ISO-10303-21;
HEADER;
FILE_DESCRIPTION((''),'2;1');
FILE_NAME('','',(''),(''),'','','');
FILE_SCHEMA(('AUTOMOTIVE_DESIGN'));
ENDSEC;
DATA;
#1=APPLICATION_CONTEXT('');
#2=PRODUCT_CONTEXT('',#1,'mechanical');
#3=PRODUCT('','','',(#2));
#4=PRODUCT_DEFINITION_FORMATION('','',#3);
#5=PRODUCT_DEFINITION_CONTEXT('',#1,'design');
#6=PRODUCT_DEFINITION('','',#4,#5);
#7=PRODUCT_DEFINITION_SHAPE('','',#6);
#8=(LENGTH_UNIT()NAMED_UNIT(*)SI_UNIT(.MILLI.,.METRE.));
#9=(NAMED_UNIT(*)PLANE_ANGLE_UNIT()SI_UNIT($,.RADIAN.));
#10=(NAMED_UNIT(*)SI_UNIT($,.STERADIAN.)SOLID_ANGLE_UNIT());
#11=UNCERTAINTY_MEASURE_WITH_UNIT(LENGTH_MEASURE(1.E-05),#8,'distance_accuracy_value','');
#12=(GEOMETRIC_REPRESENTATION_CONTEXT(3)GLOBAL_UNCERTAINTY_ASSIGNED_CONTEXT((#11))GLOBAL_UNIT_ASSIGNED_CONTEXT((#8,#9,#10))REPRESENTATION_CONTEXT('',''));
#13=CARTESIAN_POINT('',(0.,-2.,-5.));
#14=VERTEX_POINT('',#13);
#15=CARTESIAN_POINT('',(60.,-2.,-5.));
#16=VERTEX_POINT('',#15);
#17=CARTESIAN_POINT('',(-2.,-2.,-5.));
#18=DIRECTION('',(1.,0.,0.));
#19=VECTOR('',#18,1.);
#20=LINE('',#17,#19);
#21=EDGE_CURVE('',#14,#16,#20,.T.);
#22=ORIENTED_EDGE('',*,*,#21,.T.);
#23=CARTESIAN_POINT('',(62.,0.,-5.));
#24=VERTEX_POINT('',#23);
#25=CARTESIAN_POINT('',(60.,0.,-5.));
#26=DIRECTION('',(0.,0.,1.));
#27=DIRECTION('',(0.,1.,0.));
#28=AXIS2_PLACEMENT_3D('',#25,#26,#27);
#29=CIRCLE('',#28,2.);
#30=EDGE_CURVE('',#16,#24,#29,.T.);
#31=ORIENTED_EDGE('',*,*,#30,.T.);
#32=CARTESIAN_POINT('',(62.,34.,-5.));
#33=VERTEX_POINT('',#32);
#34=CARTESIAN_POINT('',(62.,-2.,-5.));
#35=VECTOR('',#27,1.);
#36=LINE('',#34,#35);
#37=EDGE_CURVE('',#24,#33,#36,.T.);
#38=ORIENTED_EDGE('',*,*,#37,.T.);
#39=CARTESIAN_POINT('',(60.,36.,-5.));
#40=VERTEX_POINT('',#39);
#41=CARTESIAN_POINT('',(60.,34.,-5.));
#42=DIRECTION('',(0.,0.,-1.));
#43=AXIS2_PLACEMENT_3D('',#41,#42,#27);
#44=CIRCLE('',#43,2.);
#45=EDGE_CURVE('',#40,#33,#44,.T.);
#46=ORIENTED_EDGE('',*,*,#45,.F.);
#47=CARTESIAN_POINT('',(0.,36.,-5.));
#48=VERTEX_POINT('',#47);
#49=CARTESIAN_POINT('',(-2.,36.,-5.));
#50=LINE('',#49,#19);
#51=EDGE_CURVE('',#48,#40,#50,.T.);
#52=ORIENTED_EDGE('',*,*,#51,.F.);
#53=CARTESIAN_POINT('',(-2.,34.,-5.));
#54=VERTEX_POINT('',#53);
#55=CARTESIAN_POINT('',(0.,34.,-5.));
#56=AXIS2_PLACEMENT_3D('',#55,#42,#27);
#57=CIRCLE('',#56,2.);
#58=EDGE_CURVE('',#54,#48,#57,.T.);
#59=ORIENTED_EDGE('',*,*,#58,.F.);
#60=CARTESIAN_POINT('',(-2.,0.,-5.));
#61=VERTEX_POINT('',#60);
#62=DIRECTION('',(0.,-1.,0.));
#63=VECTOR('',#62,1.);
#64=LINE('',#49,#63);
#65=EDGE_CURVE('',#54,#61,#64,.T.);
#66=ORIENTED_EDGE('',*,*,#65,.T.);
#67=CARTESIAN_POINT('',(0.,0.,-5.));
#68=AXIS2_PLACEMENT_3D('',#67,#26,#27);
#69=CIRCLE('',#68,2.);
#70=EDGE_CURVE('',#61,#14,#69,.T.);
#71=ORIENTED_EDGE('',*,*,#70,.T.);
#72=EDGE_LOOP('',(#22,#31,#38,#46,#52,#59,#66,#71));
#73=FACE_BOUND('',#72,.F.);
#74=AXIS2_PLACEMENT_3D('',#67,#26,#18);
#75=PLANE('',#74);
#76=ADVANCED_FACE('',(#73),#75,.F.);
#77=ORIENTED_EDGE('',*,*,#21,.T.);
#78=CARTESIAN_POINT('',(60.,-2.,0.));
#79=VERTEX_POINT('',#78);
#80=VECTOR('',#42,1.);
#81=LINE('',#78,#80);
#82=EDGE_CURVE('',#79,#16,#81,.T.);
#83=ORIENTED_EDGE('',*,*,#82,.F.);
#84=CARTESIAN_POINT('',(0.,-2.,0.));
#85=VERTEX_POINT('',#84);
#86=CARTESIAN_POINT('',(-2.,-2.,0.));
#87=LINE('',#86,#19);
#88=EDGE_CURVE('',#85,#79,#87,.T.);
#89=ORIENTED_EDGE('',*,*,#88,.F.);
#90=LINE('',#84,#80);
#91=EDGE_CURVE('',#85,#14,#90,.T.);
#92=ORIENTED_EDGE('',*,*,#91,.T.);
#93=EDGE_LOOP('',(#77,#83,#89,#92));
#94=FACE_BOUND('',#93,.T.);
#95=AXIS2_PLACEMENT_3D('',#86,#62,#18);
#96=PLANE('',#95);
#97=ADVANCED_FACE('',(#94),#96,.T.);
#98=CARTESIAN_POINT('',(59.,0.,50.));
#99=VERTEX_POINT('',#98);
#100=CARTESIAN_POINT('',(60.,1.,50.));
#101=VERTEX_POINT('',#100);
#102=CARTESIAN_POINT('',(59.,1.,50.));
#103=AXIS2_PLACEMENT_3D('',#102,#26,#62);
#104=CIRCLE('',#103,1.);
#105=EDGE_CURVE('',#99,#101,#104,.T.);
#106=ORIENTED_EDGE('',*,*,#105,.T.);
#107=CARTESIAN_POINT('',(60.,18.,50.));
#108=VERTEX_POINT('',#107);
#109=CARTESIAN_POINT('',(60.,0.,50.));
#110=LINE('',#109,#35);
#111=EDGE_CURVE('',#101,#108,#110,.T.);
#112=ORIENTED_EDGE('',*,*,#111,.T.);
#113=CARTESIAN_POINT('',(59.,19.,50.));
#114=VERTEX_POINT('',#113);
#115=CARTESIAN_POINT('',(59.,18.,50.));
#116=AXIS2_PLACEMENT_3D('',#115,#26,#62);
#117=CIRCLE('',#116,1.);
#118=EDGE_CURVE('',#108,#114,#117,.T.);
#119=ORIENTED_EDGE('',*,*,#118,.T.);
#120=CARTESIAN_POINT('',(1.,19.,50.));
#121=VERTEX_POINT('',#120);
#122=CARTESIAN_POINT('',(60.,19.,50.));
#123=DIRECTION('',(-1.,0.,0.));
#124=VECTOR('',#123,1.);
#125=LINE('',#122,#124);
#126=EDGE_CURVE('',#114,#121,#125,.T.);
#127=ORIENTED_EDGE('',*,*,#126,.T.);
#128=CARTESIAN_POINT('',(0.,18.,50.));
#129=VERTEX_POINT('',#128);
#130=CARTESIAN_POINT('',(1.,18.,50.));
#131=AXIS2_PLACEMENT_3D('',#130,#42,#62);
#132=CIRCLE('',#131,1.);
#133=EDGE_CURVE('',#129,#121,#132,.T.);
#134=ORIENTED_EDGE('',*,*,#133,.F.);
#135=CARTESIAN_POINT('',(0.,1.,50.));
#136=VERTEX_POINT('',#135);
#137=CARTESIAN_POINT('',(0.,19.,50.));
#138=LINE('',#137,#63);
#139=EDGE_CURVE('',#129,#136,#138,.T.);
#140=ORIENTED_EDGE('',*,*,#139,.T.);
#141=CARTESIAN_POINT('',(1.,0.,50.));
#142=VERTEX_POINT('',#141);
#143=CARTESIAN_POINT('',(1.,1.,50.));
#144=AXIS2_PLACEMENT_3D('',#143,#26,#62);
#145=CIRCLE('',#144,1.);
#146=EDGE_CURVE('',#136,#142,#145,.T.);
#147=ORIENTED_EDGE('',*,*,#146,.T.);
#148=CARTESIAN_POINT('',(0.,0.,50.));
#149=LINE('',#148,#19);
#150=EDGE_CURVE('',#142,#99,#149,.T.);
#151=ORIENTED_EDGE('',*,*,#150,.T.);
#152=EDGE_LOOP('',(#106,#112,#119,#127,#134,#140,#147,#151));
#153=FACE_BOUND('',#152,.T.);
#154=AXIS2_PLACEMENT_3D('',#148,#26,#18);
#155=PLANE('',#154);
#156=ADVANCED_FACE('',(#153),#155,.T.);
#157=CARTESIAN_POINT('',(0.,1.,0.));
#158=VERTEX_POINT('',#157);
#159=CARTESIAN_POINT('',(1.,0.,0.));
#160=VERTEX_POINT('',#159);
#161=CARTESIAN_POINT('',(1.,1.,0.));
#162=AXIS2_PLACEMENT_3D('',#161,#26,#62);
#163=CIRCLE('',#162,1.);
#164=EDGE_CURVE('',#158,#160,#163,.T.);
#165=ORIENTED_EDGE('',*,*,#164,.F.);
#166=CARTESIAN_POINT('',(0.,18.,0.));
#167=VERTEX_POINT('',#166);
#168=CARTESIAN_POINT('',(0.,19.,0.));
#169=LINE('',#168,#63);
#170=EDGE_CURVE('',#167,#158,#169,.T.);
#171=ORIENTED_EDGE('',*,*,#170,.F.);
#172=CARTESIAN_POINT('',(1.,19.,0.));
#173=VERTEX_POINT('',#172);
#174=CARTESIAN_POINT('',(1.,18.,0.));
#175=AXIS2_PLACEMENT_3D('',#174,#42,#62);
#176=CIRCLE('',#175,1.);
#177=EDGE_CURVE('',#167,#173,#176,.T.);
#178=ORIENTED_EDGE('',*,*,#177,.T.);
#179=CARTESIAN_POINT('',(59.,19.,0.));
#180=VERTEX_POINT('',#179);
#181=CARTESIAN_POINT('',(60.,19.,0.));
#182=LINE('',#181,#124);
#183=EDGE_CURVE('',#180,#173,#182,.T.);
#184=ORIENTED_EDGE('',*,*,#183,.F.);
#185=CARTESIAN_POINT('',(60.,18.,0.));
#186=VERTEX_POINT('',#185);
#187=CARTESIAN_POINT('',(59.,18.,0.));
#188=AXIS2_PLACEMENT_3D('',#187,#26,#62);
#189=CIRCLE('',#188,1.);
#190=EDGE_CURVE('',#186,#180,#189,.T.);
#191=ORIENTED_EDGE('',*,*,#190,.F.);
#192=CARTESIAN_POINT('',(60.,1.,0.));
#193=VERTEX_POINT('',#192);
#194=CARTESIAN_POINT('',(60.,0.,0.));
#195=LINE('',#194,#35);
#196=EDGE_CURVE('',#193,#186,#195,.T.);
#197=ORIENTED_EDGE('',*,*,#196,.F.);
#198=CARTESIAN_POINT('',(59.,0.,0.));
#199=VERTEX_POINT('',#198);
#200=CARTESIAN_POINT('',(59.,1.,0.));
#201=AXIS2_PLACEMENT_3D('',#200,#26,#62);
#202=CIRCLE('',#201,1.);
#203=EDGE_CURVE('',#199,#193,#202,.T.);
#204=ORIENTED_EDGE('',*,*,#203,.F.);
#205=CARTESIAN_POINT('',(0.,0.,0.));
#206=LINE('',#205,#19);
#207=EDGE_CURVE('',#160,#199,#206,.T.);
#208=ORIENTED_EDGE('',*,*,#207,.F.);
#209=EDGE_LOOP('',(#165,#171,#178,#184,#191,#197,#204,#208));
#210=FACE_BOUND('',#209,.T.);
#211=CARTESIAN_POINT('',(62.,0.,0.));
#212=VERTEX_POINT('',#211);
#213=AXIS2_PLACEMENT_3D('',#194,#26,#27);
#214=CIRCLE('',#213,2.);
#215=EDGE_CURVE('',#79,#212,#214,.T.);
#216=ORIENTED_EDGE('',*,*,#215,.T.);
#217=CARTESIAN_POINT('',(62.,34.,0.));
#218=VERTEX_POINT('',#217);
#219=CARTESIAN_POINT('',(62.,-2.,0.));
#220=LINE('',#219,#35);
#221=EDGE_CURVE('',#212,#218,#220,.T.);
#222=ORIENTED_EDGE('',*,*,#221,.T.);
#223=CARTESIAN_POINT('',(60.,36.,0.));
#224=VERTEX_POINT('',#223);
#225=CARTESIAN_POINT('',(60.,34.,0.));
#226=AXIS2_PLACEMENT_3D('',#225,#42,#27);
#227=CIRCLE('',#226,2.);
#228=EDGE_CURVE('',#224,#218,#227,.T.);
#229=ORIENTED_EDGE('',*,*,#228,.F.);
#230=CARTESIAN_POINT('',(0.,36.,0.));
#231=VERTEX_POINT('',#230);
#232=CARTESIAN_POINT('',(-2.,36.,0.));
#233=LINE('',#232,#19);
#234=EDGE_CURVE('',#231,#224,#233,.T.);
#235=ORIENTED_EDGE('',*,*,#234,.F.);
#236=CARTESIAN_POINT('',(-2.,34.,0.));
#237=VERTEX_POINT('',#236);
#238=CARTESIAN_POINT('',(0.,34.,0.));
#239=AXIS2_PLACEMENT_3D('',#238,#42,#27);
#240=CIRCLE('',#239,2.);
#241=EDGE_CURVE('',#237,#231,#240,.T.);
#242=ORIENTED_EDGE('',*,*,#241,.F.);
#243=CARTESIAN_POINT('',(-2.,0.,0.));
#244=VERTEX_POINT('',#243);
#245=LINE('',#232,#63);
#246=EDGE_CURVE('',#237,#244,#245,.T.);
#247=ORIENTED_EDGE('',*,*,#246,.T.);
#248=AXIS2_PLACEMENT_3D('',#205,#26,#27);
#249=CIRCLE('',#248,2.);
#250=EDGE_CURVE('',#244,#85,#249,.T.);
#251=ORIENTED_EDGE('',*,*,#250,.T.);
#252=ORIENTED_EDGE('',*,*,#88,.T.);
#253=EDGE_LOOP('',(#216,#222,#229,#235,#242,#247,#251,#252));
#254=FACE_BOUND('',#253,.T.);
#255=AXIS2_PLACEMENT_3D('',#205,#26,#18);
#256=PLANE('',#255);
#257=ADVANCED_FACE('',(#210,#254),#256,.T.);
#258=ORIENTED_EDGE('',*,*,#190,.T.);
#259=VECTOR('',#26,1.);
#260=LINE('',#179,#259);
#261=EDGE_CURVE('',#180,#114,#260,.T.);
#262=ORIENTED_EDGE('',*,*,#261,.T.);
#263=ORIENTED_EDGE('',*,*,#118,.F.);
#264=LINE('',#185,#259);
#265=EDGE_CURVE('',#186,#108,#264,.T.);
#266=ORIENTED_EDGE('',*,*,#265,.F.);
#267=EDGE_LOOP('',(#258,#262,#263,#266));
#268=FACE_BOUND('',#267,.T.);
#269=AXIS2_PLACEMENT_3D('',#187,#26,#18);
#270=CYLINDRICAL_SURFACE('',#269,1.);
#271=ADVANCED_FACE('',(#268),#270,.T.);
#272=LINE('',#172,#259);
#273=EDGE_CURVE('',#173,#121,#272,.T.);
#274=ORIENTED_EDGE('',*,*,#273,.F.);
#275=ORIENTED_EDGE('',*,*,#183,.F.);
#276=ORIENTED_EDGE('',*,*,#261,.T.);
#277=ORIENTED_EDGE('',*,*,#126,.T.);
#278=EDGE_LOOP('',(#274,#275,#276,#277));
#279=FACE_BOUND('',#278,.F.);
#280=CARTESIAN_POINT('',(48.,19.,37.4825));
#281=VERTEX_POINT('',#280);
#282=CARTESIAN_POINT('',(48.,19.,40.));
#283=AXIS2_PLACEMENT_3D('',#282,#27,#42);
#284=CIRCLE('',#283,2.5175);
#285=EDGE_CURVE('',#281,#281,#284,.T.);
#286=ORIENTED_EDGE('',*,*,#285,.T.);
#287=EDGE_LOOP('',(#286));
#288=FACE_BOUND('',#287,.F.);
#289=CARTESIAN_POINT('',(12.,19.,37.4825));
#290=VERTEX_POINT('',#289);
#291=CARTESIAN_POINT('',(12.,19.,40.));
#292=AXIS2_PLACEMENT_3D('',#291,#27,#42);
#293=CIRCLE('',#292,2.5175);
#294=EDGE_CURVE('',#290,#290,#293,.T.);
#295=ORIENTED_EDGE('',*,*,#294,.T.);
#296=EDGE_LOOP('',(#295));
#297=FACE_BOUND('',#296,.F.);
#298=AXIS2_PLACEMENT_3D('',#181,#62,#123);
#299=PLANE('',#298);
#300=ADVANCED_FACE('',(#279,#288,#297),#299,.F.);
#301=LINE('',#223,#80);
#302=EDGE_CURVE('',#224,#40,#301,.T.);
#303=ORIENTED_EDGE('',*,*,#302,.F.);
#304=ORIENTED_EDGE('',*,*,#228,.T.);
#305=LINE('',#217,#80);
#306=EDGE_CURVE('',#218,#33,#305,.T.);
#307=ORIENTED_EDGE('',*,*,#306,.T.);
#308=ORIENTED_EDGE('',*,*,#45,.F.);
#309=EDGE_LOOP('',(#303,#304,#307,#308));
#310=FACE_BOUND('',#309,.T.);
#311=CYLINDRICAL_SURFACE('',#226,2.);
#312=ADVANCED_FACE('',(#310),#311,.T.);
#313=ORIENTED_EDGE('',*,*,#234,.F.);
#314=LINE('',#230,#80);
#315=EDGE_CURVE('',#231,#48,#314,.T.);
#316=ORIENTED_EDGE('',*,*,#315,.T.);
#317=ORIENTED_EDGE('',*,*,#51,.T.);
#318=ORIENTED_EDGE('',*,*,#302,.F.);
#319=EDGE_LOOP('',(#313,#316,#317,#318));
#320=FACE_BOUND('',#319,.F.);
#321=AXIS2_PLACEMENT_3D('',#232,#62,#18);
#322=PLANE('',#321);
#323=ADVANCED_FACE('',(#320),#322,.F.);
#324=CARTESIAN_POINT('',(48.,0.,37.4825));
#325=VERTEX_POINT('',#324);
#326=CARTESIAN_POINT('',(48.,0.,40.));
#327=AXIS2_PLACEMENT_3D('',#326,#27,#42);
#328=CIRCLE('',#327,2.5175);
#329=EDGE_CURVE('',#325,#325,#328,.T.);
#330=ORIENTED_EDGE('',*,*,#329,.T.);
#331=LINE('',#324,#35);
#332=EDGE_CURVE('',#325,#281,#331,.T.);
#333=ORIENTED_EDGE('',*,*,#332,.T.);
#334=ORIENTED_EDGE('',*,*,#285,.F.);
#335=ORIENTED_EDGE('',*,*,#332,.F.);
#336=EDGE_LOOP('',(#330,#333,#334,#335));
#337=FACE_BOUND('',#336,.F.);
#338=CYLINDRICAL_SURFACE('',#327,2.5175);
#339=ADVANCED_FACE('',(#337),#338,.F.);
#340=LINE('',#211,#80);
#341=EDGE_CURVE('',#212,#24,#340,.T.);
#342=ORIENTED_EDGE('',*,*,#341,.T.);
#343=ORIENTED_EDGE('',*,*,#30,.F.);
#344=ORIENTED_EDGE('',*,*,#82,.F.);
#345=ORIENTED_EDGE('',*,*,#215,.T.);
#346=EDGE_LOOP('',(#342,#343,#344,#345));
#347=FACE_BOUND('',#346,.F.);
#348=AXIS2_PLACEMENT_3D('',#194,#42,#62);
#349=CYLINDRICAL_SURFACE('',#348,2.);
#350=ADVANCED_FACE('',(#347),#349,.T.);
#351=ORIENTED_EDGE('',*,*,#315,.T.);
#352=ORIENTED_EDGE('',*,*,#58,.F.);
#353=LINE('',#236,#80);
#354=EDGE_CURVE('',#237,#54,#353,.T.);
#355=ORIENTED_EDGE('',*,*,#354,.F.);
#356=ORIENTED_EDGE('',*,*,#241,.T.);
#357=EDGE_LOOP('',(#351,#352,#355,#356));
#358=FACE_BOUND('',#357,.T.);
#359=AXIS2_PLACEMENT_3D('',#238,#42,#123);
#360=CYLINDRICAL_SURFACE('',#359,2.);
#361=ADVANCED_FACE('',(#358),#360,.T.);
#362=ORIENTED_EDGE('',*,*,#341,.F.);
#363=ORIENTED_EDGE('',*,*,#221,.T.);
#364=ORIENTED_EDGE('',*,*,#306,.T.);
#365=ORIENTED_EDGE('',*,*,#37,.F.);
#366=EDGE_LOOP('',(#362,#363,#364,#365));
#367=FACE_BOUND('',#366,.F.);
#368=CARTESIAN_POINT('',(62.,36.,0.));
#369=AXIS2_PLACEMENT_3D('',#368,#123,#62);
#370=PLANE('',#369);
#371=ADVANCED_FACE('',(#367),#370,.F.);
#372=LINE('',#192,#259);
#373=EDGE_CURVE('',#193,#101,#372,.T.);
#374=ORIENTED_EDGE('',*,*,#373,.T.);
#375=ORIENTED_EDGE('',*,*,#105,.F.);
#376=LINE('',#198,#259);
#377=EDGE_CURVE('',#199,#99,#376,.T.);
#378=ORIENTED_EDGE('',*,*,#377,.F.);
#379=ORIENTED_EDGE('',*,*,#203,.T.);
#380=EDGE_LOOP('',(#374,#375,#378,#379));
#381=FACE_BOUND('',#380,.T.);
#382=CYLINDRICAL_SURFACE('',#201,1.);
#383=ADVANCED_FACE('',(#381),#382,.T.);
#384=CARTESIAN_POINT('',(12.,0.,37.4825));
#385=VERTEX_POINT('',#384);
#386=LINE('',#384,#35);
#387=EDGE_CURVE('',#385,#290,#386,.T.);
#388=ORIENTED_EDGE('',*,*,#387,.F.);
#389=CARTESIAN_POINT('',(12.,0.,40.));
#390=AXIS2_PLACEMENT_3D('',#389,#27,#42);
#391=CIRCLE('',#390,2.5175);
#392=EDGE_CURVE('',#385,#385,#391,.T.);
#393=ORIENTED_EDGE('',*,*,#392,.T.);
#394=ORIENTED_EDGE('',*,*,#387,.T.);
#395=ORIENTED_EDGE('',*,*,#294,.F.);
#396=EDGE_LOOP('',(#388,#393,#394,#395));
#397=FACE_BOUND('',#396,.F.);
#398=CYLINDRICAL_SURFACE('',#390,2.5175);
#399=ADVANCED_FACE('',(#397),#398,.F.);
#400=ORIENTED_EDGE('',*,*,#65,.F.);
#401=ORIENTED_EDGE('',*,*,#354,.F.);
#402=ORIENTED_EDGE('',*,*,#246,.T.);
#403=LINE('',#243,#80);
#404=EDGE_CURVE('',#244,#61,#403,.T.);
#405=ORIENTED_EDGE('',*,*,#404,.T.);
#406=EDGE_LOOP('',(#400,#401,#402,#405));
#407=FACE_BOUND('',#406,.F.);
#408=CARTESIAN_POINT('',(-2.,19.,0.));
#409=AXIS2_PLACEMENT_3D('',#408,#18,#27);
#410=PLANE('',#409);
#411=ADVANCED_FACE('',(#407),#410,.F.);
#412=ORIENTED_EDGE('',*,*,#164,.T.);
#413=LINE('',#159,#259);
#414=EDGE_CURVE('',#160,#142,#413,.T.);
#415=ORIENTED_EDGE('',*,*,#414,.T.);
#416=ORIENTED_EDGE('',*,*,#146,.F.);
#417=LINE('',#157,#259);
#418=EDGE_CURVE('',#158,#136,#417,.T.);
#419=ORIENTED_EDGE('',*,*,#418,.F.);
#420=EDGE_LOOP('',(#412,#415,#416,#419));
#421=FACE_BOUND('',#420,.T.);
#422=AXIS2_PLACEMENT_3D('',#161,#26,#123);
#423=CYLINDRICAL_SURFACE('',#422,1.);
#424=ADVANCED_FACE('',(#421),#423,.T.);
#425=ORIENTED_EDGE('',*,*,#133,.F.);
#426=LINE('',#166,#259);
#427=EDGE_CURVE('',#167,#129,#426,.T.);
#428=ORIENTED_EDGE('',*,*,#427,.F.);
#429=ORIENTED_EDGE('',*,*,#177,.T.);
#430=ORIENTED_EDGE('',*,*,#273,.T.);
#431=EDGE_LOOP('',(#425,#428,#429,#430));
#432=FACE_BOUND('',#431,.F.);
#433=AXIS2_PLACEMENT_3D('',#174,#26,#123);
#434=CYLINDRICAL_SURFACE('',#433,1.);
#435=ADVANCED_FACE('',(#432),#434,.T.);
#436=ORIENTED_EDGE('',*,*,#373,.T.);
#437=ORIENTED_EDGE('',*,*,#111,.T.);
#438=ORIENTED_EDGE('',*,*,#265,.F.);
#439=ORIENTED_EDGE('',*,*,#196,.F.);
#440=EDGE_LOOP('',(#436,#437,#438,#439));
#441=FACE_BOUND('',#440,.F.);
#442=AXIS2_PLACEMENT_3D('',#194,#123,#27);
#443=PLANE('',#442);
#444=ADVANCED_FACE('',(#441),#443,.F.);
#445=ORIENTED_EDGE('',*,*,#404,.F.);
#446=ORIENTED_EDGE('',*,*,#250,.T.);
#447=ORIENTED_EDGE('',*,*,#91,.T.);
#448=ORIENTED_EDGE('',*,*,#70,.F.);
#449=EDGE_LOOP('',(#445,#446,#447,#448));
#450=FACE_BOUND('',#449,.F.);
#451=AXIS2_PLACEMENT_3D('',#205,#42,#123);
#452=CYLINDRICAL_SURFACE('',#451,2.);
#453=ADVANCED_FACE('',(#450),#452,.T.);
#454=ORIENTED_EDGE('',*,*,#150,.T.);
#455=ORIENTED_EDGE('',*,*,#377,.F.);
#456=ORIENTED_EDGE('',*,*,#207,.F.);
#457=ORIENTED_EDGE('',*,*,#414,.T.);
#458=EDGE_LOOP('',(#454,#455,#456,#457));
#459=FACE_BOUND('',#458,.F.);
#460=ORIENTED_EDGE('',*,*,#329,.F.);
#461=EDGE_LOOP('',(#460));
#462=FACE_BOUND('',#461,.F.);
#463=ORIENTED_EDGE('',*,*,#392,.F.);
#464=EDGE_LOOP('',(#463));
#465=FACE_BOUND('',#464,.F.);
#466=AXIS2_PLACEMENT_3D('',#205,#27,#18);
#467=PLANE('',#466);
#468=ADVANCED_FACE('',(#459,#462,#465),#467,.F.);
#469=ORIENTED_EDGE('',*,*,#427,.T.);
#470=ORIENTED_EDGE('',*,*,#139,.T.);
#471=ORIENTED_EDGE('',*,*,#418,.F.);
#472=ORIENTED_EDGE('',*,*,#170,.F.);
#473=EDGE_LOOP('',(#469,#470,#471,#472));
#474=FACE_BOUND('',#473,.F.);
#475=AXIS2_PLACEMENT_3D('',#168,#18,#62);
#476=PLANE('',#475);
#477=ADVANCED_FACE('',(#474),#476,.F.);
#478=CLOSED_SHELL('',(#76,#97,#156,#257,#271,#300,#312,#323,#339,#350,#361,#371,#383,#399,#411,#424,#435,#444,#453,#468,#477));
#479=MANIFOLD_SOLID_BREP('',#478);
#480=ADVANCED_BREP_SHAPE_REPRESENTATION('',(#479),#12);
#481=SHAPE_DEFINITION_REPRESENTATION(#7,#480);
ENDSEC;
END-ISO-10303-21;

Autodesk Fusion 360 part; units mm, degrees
sketch "Sketch1" plane through (0, 0, 0) normal (0, 0, 1) x (1, 0, 0)
  line L0 (0, 0) -> (60, 0)
  line L1 (60, 0) -> (60, 19)
  line L2 (60, 19) -> (0, 19)
  line L3 (0, 19) -> (0, 0)
  line L4 (0, 19) -> (0, 34)
  line L5 (0, 34) -> (60, 34)
  line L6 (60, 34) -> (60, 19)
  line L7 (60, 19) -> (0, 19)
  line L8 (-2, 19) -> (-2, 36)
  line L9 (-2, 36) -> (62, 36)
  line L10 (62, 36) -> (62, 19)
  line L11 (62, -2) -> (62, 19)
  line L12 (-2, -2) -> (62, -2)
  line L13 (-2, 19) -> (-2, -2)
  dimension "d1" = 60
  dimension "d2" = 19
  dimension "d3" = 15
  dimension "d4" = 2
extrude "Extrude1" add sketch "Sketch1" along normal blind 50 contours L0 L1 L2 L3 L7
extrude "Extrude2" add sketch "Sketch1" against normal blind 5 contours L0 L1 L2 L3 L7 | L2 L4 L5 L6 L7 | L8 L9 L10 L11 L12 L13
sketch "Sketch2" plane through (0, 0, 0) normal (0, -1, 0) x (1, 0, 0)
  line L0 (0, 0) -> (60, 0)
  line L1 (60, 0) -> (60, 50)
  line L2 (60, 50) -> (0, 50)
  line L3 (0, 50) -> (0, 0)
  circle A0 centre (12, 40) radius 3
  circle A1 centre (48, 40) radius 3
  dimension "d11" = 6
  dimension "d12" = 6
  dimension "d13" = 12
  dimension "d14" = 10
  dimension "d15" = 10
  dimension "d16" = 12
hole "Hole1" at (12, 0, 40) direction (0, 1, 0) diameter 5.035 depth 19 tip angle 118
hole "Hole2" at (48, 0, 40) direction (0, 1, 0) diameter 5.035 depth 19 tip angle 118
fillet "Fillet1" radius 2 4 edges at (62, 36, -2.5) (-2, 36, -2.5) (62, -2, -2.5) (-2, -2, -2.5)
fillet "Fillet2" radius 1 4 edges at (0, 0, 25) (0, 19, 25) (60, 0, 25) (60, 19, 25)
